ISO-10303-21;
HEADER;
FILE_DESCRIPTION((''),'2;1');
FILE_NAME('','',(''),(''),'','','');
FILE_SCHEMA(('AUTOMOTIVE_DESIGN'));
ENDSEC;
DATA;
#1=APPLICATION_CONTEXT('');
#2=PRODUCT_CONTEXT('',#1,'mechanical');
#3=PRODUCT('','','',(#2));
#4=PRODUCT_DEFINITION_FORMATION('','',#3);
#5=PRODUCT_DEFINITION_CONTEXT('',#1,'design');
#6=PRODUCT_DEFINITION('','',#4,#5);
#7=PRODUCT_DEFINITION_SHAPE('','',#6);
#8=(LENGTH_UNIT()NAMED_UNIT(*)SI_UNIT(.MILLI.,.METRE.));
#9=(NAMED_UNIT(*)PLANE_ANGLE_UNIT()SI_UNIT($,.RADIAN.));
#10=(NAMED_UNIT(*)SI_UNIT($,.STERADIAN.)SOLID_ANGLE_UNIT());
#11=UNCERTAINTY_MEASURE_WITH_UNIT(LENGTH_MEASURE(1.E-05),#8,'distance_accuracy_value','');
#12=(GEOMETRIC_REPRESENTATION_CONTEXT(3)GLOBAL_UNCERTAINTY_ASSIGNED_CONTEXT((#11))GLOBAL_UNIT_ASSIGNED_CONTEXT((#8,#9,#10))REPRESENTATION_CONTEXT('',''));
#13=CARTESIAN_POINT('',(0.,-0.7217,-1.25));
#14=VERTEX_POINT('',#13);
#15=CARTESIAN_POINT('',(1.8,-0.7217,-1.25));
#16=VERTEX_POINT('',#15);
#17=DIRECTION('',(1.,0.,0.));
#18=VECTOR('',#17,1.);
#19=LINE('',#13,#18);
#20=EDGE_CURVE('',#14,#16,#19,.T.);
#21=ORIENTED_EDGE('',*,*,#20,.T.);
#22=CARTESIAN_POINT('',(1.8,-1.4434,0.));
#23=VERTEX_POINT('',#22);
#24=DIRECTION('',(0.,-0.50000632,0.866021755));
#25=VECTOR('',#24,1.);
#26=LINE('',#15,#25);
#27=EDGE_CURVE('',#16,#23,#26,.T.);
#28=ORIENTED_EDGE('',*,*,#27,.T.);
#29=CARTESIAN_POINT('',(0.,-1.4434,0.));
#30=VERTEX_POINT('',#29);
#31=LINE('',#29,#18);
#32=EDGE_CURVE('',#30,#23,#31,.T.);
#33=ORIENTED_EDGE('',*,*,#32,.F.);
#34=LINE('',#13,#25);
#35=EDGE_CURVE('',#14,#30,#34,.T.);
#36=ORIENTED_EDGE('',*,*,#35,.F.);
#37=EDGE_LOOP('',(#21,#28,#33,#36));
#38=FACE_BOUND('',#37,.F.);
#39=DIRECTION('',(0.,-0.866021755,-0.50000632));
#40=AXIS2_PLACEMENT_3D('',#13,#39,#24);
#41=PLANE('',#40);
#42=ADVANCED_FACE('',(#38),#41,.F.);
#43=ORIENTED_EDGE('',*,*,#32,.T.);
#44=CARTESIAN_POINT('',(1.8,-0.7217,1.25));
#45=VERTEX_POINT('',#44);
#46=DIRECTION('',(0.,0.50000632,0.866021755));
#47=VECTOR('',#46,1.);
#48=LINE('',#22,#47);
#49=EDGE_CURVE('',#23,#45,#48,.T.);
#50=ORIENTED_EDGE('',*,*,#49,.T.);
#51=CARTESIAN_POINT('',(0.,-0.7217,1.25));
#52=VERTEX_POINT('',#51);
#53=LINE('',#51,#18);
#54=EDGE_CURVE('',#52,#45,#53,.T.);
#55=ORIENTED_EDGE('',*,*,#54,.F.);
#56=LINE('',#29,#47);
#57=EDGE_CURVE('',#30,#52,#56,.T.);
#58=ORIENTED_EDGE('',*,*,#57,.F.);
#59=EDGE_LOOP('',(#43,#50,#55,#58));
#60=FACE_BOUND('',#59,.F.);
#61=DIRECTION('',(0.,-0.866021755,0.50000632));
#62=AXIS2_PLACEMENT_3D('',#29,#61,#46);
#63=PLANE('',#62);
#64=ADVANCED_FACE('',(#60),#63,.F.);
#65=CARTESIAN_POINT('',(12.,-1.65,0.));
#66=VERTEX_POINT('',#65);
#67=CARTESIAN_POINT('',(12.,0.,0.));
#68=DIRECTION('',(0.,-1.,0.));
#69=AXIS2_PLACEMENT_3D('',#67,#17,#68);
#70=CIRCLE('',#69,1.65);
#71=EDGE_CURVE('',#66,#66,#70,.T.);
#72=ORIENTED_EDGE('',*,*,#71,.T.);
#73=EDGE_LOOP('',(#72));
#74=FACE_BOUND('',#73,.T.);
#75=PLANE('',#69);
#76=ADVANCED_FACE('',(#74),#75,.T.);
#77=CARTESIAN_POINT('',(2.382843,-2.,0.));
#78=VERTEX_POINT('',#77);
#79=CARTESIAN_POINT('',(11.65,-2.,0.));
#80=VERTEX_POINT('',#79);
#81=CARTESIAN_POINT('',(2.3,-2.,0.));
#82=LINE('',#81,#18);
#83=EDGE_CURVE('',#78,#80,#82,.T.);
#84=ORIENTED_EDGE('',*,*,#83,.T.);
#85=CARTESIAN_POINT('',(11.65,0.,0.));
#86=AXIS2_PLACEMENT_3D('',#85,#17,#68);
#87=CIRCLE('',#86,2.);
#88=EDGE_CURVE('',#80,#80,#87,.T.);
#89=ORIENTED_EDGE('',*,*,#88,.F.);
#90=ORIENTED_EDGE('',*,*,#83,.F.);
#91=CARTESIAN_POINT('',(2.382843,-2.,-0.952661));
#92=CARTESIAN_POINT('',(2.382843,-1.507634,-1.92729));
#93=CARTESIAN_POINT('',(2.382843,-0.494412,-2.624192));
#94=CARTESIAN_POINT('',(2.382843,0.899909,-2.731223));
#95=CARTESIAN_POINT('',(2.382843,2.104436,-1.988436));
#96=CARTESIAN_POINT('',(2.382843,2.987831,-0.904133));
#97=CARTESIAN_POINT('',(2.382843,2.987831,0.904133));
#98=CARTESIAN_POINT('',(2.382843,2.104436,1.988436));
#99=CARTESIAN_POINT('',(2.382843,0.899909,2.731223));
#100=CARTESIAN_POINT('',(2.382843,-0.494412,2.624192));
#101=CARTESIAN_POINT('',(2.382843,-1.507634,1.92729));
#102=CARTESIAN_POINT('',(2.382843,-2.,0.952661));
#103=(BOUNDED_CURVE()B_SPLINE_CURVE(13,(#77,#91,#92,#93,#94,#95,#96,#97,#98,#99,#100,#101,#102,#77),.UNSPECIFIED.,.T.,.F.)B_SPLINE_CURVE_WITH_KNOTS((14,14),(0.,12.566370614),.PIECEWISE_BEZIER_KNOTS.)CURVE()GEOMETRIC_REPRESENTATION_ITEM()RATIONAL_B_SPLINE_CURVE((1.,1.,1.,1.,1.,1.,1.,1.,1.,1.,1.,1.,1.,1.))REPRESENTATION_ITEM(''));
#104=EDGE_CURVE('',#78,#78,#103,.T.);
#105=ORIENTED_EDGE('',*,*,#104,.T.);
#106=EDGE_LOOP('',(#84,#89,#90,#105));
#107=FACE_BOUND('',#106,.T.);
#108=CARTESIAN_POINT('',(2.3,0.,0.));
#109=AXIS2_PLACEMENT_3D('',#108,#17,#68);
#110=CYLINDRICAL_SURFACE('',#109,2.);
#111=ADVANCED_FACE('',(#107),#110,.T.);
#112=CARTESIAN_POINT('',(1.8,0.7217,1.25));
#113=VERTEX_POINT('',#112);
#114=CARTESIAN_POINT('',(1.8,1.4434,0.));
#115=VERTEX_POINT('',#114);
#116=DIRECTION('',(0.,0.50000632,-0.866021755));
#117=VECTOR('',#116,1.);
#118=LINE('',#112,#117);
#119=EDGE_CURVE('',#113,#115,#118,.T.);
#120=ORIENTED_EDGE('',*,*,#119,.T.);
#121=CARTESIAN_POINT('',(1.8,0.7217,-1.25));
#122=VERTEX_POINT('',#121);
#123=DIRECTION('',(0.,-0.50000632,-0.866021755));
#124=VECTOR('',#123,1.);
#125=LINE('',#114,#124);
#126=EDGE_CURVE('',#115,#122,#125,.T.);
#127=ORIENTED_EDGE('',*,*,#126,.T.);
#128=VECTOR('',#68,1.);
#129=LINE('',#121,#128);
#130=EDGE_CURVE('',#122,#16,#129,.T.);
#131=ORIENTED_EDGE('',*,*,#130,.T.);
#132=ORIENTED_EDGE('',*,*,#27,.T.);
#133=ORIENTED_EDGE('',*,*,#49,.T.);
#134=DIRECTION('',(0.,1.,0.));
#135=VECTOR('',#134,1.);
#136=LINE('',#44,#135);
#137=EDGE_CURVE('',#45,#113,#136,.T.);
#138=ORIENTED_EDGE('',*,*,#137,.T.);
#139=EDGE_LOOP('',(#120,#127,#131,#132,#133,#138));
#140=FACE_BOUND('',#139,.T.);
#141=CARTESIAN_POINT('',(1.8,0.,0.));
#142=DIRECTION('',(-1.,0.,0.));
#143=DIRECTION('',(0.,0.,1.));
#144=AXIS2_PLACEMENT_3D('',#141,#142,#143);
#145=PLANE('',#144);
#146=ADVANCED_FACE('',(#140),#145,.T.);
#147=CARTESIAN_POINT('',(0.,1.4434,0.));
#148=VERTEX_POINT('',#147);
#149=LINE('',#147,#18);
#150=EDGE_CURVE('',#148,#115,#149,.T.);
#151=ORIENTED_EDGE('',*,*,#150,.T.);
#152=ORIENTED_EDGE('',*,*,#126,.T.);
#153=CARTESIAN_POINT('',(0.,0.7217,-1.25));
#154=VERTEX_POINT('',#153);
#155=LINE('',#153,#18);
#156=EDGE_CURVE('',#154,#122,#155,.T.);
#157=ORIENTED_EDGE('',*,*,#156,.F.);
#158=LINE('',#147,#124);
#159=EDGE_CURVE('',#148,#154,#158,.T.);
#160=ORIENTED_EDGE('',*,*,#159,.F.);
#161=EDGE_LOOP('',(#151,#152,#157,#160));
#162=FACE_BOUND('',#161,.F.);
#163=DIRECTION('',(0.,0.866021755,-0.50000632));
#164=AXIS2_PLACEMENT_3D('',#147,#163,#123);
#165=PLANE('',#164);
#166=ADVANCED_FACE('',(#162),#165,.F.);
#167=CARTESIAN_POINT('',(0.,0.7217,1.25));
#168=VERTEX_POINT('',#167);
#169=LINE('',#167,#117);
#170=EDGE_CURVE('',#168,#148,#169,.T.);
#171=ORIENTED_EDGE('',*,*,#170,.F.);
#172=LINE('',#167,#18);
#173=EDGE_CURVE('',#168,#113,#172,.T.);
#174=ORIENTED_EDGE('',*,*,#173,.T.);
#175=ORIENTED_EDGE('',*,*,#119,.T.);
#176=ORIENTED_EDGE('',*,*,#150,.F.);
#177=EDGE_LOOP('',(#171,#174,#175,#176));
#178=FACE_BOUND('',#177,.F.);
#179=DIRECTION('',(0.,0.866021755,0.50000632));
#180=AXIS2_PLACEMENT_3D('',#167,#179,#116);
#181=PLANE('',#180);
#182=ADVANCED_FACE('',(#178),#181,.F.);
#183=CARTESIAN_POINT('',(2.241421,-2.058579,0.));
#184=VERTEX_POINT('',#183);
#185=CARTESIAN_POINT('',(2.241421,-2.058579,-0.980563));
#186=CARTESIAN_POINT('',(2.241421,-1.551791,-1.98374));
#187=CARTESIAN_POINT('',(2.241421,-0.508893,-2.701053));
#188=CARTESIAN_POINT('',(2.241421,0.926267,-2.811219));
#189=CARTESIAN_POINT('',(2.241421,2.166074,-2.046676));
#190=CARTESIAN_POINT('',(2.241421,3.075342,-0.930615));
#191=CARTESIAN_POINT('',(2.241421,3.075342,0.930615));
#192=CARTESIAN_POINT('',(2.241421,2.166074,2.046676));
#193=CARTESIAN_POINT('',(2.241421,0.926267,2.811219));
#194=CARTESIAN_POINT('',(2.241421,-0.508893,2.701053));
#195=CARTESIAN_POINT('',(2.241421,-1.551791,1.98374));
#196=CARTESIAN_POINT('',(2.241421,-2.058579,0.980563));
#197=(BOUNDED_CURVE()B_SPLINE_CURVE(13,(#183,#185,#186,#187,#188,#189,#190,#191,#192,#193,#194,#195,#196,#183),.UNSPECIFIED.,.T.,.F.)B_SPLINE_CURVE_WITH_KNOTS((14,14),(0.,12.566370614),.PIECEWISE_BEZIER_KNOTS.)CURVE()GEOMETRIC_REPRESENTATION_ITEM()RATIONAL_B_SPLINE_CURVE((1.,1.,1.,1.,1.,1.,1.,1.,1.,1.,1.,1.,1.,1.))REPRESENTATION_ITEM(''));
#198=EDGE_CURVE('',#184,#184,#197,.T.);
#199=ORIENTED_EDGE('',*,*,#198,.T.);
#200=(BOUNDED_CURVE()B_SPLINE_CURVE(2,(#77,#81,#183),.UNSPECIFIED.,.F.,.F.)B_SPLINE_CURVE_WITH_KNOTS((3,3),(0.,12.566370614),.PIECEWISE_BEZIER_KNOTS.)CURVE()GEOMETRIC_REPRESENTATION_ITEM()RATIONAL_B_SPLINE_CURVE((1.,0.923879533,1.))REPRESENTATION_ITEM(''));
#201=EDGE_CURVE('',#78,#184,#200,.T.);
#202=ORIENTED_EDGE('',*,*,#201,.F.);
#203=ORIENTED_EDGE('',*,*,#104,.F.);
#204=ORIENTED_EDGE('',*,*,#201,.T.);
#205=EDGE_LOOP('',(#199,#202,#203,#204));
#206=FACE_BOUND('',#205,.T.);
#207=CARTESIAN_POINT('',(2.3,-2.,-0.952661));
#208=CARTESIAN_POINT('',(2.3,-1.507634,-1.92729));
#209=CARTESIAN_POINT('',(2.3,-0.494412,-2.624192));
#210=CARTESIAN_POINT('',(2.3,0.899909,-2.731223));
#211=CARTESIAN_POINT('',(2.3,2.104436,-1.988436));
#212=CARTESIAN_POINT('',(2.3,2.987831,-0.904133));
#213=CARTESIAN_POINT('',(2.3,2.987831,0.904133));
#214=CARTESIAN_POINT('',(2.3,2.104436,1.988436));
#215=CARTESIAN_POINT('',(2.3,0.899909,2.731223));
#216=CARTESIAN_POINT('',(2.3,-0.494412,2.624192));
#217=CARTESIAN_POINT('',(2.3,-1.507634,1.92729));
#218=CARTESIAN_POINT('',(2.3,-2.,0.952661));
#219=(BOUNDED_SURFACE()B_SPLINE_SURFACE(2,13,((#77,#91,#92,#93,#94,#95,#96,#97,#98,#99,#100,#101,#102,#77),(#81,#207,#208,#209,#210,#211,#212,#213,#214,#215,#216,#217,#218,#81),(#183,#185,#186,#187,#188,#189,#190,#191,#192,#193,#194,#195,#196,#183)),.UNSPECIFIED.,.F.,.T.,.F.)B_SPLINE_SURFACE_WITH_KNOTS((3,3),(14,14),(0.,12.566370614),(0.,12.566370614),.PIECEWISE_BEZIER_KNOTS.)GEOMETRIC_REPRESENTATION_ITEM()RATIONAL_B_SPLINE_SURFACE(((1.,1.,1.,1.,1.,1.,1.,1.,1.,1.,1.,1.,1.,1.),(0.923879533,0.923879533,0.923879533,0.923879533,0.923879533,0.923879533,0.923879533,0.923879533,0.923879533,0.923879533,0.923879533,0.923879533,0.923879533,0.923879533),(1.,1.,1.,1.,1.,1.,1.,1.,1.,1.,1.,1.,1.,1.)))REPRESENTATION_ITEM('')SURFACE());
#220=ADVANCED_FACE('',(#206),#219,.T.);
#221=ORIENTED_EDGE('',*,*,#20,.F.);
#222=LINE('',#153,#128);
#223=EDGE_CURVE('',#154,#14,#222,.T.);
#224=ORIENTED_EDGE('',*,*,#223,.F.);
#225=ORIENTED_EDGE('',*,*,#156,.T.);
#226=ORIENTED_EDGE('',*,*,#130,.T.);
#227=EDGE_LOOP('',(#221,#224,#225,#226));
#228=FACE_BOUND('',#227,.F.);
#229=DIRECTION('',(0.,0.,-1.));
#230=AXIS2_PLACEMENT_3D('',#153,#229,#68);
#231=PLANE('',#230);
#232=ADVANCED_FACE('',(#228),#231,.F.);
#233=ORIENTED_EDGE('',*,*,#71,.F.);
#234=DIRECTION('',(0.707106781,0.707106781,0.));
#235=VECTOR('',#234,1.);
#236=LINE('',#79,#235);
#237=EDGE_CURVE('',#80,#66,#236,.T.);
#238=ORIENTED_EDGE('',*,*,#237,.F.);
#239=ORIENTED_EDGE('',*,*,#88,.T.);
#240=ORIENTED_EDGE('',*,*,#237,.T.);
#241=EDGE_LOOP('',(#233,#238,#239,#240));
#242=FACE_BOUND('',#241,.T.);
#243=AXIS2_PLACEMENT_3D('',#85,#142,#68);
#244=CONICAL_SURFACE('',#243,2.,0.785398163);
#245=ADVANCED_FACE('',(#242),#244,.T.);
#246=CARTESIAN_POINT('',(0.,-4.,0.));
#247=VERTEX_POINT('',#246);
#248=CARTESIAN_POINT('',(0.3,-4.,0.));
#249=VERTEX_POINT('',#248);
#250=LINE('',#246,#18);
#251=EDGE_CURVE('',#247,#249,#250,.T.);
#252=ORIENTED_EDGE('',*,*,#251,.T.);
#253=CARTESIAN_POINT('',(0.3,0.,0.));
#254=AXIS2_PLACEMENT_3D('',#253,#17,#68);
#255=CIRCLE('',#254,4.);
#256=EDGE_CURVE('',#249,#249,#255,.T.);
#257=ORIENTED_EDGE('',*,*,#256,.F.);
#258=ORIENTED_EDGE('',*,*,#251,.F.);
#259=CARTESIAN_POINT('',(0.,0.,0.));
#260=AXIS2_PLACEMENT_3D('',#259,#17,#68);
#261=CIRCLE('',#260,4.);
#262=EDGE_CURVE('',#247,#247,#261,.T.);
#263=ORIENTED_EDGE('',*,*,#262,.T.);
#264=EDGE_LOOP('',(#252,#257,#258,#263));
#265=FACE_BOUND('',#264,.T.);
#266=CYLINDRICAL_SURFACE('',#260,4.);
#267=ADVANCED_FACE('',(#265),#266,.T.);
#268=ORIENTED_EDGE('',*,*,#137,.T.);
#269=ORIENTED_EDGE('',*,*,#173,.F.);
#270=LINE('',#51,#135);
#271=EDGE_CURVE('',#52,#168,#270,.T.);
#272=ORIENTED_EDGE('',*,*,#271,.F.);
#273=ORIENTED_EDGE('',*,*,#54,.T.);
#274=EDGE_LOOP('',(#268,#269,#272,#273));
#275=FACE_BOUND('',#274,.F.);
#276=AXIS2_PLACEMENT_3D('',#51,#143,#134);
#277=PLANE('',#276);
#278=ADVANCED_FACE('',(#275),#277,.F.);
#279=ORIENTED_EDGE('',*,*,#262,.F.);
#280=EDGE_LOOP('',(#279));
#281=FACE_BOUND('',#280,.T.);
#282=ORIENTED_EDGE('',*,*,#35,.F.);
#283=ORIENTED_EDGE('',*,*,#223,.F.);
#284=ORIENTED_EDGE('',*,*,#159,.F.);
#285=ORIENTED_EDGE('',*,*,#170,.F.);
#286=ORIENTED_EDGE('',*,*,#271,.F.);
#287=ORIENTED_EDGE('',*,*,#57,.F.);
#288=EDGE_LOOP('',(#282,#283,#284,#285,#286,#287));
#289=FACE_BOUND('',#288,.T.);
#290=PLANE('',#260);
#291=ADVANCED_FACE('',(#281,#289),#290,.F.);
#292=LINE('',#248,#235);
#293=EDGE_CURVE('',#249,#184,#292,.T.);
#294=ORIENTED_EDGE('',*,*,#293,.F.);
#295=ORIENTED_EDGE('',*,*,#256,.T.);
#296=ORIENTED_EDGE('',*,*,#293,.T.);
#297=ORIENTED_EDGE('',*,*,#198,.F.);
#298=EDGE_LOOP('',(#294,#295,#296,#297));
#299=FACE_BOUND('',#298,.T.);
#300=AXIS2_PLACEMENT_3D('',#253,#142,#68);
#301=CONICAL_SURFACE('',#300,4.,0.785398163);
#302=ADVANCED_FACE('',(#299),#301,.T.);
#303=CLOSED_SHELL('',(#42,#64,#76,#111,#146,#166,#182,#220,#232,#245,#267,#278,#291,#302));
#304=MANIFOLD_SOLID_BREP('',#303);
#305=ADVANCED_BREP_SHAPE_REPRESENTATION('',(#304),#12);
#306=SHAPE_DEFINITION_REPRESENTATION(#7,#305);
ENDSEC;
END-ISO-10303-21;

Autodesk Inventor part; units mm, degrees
ref_plane "YZ Plane" through (0, 0, 0) normal (1, 0, 0) x (0, 1, 0)
sketch "Skizze1" plane through (0, 0, 0) normal (0, 1, 0) x (-1, 0, 0)
  point P0 (0, 0)
sketch "Skizze2" plane through (0, 0, 0) normal (0, 0, 1) x (-1, 0, 0)
  line L0 (-12, 2) -> (-12, 0)
  line L1 (-2.3, 2) -> (-12, 2)
  line L2 (-0.3, 4) -> (-2.3, 2)
  line L3 (0, 4) -> (-0.3, 4)
  line L4 (0, 0) -> (0, 4)
  line L5 (-12, 0) -> (0, 0)
  line L6 (-12, 0) -> (0, 0)
  line L7 (0, -9.6) -> (0, 1.6) projected
  line L8 (2.4, 0) -> (-14.4, 0) projected
  dimension "ParC" = 0.3
  dimension "d43" = 45
  dimension "d44" = 4
  dimension "d45" = 2
  dimension "d46" = 12
  dimension "d47" = 0
  dimension "d48" = 0
revolve "Drehung1" add sketch "Skizze2" angle 360 about axis through (12, 0, 0) along (1, 0, 0)
sketch "Skizze3" plane through (0, 0, 0) normal (-1, 0, 0) x (0, 0, 1)
  line L0 (-1.25, 0.7217) -> (-1.25, -0.7217)
  line L1 (0, 1.4434) -> (-1.25, 0.7217)
  line L2 (1.25, 0.7217) -> (0, 1.4434)
  line L3 (1.25, -0.7217) -> (1.25, 0.7217)
  line L4 (0, -1.4434) -> (1.25, -0.7217)
  line L5 (-1.25, -0.7217) -> (0, -1.4434)
  circle A0 centre (0, 0) radius 1.25 construction
  circle A1 centre (0, 0) radius 2 construction
  dimension "d11" = 2.5
  dimension "d13" = 120
  dimension "d15" = 120
extrude "Extrusion1" cut sketch "Skizze3" against normal blind 1.8
fillet "Rundung1" radius 0.2 1 edges at (2.3, 2, 0)
chamfer "Fase1" distance 0.35 angle 45 1 edges at (12, 2, 0) measured on face at (8.7943, 0.9288, -1.7713)
thread "Gewinde1" size "M4x0.7" class "6g" standard "ISO Metric profile" length 8.3
ref_plane "MSC_PF1" through (0, 0, 0) normal (1, 0, 0) x (0, 1, 0)
ref_plane "MSC_PT1" through (0, 0, 0) normal (1, 0, 0) x (0, 1, 0)
equation "\"d43\" = 0.5 * ang"
equation "\"d44\" = 0.5 * dk"
equation "\"d45\" = 0.5 * NND"
equation "\"d46\" = NLG"
equation "\"d11\" = ParS"
equation "\"d16\" = ParT"
equation "\"d18\" = r"
equation "\"d19\" = 0.5 * PTC"
equation "\"d39\" = 0.5 * PTC"
equation "\"NND\" = 4"
equation "\"PTC\" = 0.7"
equation "\"dk\" = 8"
equation "\"ParK\" = 2.3"
equation "\"ParS\" = 2.5"
equation "\"ParT\" = 1.8"
equation "\"r\" = 0.2"
equation "\"NLG\" = 12"
equation "\"ang\" = 90deg"
equation "\"THREADDIA\" = NND"
properties part number "ISO 10642 - M4 x  12" material "Stahl"
